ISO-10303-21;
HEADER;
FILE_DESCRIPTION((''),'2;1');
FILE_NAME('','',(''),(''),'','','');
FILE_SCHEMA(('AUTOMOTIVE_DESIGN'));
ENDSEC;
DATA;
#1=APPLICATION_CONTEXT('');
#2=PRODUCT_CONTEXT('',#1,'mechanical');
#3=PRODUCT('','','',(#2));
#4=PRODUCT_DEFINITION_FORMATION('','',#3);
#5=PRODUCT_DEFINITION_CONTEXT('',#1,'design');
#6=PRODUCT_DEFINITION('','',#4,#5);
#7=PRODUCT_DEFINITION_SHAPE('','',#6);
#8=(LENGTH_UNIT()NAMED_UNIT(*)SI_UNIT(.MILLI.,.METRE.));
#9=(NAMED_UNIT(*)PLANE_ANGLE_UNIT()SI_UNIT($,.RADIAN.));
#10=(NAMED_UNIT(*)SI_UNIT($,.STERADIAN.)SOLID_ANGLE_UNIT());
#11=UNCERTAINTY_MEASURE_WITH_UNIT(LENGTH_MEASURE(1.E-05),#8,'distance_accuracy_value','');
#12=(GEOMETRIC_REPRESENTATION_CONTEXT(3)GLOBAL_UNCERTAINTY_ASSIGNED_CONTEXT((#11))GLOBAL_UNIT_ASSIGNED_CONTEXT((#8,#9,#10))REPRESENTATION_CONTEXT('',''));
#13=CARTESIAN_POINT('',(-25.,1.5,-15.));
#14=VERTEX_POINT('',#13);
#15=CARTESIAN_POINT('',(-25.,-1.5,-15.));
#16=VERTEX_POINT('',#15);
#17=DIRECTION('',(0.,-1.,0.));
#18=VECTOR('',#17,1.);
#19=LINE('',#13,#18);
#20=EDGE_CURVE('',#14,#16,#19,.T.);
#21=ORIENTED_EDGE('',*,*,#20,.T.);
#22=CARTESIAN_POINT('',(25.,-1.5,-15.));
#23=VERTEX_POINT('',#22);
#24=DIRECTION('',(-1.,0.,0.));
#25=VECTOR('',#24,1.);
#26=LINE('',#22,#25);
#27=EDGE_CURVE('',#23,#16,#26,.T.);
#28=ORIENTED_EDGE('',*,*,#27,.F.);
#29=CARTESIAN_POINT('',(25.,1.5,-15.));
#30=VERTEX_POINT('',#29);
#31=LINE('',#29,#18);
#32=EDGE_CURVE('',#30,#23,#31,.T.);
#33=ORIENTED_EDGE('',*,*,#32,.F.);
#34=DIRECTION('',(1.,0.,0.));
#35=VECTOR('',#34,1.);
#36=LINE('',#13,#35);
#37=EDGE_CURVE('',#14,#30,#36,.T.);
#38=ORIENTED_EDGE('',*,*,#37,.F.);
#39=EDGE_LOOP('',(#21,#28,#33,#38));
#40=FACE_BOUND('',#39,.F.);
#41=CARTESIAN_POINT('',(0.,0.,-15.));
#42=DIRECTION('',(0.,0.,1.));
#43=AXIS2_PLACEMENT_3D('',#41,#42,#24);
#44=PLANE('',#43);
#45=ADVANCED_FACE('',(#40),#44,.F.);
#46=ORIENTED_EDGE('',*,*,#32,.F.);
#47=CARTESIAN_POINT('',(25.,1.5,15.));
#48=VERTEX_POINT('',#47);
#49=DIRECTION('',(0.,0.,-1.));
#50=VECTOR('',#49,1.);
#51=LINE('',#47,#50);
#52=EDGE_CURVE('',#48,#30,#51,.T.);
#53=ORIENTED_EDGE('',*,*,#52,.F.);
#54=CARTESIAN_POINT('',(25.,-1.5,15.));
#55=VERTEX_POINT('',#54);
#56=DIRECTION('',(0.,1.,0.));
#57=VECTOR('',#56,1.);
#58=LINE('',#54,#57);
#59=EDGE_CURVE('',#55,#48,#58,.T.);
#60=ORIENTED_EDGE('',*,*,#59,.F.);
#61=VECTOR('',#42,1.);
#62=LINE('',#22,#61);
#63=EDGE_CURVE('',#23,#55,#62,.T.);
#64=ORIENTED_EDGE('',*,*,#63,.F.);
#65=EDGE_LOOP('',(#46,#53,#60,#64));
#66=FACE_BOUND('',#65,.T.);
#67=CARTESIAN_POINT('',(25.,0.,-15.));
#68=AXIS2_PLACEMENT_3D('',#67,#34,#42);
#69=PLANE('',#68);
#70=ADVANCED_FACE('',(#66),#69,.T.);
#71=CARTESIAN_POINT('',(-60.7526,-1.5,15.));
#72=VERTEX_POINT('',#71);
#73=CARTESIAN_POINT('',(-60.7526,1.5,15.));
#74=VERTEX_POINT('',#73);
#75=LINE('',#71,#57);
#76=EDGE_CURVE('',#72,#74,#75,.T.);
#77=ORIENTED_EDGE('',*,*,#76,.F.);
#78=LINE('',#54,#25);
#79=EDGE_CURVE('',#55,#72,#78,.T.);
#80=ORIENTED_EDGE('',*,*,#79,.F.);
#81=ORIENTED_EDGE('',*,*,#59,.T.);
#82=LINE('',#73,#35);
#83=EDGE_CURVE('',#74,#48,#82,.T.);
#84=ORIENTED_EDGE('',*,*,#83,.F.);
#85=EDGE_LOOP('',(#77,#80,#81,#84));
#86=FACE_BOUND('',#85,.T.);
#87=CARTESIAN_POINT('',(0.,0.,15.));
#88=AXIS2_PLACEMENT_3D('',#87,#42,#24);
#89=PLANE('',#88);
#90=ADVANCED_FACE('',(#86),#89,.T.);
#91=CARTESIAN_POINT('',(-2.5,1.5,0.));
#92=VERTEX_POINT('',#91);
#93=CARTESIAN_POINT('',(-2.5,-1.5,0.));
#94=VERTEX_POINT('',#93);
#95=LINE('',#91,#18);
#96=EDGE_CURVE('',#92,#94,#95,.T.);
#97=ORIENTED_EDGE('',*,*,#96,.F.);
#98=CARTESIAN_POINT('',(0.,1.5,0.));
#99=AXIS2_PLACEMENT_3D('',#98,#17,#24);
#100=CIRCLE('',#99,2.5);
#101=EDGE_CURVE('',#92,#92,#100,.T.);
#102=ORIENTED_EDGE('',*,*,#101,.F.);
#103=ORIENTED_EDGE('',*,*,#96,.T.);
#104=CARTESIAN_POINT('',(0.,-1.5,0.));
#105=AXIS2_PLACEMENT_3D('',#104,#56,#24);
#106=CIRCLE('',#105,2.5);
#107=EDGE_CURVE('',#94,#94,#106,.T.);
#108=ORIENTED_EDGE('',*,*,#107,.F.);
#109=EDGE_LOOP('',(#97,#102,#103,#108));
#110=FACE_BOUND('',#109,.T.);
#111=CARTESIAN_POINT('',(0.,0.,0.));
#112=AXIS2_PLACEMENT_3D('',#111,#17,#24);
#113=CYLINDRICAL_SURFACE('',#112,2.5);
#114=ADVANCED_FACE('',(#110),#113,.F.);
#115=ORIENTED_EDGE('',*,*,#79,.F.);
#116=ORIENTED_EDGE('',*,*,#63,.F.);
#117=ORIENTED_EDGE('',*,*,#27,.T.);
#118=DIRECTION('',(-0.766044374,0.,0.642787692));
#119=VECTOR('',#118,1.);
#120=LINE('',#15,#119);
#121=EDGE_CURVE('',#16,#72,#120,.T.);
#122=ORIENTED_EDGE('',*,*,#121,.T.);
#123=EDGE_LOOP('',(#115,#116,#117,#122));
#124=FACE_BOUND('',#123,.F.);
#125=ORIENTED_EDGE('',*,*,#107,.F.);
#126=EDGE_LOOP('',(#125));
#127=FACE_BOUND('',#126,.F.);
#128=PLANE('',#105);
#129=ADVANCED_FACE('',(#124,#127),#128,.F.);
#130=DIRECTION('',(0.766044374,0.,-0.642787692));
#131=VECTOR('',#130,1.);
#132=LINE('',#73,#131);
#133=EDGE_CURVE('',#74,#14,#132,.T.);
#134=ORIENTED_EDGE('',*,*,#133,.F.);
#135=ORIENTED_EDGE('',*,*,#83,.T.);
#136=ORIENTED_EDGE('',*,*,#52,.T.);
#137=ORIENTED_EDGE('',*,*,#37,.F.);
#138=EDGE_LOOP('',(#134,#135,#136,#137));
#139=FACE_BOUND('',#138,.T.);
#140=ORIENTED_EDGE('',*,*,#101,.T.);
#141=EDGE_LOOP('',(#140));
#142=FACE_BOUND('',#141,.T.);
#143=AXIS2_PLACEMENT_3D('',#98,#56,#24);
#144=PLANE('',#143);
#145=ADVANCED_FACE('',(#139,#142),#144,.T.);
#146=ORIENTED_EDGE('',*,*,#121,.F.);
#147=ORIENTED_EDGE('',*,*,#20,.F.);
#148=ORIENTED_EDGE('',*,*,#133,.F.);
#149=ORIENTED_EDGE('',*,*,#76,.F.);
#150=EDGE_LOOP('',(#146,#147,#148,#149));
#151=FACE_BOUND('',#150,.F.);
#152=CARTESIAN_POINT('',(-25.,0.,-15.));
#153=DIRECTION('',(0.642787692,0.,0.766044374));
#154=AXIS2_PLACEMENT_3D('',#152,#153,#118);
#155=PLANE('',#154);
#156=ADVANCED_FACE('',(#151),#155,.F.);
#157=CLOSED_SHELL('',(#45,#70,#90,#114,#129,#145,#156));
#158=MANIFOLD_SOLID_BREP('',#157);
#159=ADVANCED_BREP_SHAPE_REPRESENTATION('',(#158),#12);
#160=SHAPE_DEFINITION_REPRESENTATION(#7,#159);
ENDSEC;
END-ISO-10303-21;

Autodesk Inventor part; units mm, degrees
ref_plane "YZ Plane" through (0, 0, 0) normal (1, 0, 0) x (0, 1, 0)
ref_plane "XZ Plane" through (0, 0, 0) normal (0, 1, 0) x (-1, 0, 0)
ref_plane "XY Plane" through (0, 0, 0) normal (0, 0, 1) x (1, 0, 0)
sketch "スケッチ1" plane through (0, 0, 0) normal (0, 1, 0) x (-1, 0, 0)
  circle A0 centre (0, 0) radius 2.5
  line L0 (-25, 15) -> (60.7526, 15)
  line L1 (-25, -15) -> (-25, 15)
  line L2 (-25, -15) -> (25, -15)
  line L3 (25, -15) -> (60.7526, 15)
  line L4 (0, -21) -> (0, 21) projected
  line L5 (77.9031, 0) -> (-42.1505, 0) projected
  dimension "d0" = 5
  dimension "d3" = 15
  dimension "d4" = 15
  dimension "d5" = 25
  dimension "d6" = 40
  dimension "d7" = 50
extrude "押し出し1" add sketch "スケッチ1" along normal mid plane 3 contours L5 L3 L2 L4 A0 | A0 L4 L0 L3 L5 | A0 L5 L1 L0 L4 | L4 L2 L1 L5 A0
equation "\"d4\" = d3"
properties part number "mount2"
